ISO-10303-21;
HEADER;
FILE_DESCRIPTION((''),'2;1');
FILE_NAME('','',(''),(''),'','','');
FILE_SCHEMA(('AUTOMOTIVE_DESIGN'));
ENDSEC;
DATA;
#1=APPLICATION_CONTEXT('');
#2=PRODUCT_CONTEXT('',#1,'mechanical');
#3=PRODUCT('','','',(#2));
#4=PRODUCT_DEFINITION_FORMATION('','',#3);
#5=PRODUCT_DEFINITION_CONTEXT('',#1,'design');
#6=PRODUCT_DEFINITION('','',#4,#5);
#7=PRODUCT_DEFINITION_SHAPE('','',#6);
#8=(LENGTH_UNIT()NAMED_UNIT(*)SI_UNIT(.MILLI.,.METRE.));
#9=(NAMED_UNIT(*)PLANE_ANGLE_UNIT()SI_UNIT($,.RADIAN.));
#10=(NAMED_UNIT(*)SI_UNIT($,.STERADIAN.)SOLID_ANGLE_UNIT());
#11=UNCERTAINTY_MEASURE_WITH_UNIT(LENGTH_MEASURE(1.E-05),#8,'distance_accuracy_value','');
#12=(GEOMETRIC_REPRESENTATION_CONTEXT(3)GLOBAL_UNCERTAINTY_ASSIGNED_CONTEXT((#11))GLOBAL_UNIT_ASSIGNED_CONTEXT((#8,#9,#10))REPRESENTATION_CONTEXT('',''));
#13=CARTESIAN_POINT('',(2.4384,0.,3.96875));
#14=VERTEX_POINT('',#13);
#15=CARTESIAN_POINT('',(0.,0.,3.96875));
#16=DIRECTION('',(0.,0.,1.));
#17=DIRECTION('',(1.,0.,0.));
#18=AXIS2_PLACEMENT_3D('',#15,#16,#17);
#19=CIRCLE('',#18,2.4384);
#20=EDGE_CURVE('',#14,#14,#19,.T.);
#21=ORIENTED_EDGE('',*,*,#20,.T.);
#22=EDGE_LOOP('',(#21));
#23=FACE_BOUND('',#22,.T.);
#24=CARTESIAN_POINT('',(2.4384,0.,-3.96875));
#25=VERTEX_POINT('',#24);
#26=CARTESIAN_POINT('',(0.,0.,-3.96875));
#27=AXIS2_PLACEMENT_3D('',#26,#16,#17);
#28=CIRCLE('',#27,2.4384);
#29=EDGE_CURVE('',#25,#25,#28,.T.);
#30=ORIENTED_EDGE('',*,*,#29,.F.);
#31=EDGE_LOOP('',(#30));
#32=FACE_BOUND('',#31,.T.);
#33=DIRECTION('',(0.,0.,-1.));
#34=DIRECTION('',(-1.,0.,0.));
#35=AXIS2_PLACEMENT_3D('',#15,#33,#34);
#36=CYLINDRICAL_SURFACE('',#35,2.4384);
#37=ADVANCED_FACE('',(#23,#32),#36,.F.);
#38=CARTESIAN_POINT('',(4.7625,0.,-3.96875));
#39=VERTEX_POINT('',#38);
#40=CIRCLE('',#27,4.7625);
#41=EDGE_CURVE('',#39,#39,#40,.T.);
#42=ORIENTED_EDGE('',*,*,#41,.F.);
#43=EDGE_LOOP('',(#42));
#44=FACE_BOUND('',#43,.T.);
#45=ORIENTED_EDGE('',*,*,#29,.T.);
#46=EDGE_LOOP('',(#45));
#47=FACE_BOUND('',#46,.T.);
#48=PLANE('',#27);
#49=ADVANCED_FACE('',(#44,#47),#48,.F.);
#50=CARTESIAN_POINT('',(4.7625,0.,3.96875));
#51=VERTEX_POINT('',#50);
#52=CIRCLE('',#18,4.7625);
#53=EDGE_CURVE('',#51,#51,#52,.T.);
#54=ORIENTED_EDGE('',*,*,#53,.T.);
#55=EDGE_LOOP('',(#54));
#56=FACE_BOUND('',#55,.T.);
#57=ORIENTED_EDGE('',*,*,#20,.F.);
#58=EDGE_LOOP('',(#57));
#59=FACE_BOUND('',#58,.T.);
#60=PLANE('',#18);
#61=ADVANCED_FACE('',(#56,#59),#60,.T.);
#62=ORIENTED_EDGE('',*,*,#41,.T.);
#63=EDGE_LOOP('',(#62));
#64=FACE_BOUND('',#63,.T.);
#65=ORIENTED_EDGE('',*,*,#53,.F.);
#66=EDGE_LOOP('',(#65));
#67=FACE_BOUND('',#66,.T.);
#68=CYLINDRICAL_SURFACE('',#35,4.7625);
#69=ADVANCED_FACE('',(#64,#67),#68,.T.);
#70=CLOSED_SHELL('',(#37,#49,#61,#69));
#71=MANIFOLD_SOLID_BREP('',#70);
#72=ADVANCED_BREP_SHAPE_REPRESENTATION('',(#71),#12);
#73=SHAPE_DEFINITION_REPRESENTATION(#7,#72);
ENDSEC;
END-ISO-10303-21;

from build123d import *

# Parameters (mm, degrees)
SKETCH1_R           = 4.7625
SKETCH1_R_2         = 2.4384
EXTRUDE1_DEPTH      = 3.96875
EXTRUDE1_DEPTH_BACK = 3.96875


with BuildPart() as part:
    # Sketch1 → Extrude1 (new body, two sides)
    with BuildSketch(Plane.XY) as extrude1_sk:
        Circle(SKETCH1_R)
        Circle(SKETCH1_R_2, mode=Mode.SUBTRACT)
    extrude(amount=EXTRUDE1_DEPTH)
    extrude(extrude1_sk.sketch, amount=-EXTRUDE1_DEPTH_BACK)


solid = part.part
